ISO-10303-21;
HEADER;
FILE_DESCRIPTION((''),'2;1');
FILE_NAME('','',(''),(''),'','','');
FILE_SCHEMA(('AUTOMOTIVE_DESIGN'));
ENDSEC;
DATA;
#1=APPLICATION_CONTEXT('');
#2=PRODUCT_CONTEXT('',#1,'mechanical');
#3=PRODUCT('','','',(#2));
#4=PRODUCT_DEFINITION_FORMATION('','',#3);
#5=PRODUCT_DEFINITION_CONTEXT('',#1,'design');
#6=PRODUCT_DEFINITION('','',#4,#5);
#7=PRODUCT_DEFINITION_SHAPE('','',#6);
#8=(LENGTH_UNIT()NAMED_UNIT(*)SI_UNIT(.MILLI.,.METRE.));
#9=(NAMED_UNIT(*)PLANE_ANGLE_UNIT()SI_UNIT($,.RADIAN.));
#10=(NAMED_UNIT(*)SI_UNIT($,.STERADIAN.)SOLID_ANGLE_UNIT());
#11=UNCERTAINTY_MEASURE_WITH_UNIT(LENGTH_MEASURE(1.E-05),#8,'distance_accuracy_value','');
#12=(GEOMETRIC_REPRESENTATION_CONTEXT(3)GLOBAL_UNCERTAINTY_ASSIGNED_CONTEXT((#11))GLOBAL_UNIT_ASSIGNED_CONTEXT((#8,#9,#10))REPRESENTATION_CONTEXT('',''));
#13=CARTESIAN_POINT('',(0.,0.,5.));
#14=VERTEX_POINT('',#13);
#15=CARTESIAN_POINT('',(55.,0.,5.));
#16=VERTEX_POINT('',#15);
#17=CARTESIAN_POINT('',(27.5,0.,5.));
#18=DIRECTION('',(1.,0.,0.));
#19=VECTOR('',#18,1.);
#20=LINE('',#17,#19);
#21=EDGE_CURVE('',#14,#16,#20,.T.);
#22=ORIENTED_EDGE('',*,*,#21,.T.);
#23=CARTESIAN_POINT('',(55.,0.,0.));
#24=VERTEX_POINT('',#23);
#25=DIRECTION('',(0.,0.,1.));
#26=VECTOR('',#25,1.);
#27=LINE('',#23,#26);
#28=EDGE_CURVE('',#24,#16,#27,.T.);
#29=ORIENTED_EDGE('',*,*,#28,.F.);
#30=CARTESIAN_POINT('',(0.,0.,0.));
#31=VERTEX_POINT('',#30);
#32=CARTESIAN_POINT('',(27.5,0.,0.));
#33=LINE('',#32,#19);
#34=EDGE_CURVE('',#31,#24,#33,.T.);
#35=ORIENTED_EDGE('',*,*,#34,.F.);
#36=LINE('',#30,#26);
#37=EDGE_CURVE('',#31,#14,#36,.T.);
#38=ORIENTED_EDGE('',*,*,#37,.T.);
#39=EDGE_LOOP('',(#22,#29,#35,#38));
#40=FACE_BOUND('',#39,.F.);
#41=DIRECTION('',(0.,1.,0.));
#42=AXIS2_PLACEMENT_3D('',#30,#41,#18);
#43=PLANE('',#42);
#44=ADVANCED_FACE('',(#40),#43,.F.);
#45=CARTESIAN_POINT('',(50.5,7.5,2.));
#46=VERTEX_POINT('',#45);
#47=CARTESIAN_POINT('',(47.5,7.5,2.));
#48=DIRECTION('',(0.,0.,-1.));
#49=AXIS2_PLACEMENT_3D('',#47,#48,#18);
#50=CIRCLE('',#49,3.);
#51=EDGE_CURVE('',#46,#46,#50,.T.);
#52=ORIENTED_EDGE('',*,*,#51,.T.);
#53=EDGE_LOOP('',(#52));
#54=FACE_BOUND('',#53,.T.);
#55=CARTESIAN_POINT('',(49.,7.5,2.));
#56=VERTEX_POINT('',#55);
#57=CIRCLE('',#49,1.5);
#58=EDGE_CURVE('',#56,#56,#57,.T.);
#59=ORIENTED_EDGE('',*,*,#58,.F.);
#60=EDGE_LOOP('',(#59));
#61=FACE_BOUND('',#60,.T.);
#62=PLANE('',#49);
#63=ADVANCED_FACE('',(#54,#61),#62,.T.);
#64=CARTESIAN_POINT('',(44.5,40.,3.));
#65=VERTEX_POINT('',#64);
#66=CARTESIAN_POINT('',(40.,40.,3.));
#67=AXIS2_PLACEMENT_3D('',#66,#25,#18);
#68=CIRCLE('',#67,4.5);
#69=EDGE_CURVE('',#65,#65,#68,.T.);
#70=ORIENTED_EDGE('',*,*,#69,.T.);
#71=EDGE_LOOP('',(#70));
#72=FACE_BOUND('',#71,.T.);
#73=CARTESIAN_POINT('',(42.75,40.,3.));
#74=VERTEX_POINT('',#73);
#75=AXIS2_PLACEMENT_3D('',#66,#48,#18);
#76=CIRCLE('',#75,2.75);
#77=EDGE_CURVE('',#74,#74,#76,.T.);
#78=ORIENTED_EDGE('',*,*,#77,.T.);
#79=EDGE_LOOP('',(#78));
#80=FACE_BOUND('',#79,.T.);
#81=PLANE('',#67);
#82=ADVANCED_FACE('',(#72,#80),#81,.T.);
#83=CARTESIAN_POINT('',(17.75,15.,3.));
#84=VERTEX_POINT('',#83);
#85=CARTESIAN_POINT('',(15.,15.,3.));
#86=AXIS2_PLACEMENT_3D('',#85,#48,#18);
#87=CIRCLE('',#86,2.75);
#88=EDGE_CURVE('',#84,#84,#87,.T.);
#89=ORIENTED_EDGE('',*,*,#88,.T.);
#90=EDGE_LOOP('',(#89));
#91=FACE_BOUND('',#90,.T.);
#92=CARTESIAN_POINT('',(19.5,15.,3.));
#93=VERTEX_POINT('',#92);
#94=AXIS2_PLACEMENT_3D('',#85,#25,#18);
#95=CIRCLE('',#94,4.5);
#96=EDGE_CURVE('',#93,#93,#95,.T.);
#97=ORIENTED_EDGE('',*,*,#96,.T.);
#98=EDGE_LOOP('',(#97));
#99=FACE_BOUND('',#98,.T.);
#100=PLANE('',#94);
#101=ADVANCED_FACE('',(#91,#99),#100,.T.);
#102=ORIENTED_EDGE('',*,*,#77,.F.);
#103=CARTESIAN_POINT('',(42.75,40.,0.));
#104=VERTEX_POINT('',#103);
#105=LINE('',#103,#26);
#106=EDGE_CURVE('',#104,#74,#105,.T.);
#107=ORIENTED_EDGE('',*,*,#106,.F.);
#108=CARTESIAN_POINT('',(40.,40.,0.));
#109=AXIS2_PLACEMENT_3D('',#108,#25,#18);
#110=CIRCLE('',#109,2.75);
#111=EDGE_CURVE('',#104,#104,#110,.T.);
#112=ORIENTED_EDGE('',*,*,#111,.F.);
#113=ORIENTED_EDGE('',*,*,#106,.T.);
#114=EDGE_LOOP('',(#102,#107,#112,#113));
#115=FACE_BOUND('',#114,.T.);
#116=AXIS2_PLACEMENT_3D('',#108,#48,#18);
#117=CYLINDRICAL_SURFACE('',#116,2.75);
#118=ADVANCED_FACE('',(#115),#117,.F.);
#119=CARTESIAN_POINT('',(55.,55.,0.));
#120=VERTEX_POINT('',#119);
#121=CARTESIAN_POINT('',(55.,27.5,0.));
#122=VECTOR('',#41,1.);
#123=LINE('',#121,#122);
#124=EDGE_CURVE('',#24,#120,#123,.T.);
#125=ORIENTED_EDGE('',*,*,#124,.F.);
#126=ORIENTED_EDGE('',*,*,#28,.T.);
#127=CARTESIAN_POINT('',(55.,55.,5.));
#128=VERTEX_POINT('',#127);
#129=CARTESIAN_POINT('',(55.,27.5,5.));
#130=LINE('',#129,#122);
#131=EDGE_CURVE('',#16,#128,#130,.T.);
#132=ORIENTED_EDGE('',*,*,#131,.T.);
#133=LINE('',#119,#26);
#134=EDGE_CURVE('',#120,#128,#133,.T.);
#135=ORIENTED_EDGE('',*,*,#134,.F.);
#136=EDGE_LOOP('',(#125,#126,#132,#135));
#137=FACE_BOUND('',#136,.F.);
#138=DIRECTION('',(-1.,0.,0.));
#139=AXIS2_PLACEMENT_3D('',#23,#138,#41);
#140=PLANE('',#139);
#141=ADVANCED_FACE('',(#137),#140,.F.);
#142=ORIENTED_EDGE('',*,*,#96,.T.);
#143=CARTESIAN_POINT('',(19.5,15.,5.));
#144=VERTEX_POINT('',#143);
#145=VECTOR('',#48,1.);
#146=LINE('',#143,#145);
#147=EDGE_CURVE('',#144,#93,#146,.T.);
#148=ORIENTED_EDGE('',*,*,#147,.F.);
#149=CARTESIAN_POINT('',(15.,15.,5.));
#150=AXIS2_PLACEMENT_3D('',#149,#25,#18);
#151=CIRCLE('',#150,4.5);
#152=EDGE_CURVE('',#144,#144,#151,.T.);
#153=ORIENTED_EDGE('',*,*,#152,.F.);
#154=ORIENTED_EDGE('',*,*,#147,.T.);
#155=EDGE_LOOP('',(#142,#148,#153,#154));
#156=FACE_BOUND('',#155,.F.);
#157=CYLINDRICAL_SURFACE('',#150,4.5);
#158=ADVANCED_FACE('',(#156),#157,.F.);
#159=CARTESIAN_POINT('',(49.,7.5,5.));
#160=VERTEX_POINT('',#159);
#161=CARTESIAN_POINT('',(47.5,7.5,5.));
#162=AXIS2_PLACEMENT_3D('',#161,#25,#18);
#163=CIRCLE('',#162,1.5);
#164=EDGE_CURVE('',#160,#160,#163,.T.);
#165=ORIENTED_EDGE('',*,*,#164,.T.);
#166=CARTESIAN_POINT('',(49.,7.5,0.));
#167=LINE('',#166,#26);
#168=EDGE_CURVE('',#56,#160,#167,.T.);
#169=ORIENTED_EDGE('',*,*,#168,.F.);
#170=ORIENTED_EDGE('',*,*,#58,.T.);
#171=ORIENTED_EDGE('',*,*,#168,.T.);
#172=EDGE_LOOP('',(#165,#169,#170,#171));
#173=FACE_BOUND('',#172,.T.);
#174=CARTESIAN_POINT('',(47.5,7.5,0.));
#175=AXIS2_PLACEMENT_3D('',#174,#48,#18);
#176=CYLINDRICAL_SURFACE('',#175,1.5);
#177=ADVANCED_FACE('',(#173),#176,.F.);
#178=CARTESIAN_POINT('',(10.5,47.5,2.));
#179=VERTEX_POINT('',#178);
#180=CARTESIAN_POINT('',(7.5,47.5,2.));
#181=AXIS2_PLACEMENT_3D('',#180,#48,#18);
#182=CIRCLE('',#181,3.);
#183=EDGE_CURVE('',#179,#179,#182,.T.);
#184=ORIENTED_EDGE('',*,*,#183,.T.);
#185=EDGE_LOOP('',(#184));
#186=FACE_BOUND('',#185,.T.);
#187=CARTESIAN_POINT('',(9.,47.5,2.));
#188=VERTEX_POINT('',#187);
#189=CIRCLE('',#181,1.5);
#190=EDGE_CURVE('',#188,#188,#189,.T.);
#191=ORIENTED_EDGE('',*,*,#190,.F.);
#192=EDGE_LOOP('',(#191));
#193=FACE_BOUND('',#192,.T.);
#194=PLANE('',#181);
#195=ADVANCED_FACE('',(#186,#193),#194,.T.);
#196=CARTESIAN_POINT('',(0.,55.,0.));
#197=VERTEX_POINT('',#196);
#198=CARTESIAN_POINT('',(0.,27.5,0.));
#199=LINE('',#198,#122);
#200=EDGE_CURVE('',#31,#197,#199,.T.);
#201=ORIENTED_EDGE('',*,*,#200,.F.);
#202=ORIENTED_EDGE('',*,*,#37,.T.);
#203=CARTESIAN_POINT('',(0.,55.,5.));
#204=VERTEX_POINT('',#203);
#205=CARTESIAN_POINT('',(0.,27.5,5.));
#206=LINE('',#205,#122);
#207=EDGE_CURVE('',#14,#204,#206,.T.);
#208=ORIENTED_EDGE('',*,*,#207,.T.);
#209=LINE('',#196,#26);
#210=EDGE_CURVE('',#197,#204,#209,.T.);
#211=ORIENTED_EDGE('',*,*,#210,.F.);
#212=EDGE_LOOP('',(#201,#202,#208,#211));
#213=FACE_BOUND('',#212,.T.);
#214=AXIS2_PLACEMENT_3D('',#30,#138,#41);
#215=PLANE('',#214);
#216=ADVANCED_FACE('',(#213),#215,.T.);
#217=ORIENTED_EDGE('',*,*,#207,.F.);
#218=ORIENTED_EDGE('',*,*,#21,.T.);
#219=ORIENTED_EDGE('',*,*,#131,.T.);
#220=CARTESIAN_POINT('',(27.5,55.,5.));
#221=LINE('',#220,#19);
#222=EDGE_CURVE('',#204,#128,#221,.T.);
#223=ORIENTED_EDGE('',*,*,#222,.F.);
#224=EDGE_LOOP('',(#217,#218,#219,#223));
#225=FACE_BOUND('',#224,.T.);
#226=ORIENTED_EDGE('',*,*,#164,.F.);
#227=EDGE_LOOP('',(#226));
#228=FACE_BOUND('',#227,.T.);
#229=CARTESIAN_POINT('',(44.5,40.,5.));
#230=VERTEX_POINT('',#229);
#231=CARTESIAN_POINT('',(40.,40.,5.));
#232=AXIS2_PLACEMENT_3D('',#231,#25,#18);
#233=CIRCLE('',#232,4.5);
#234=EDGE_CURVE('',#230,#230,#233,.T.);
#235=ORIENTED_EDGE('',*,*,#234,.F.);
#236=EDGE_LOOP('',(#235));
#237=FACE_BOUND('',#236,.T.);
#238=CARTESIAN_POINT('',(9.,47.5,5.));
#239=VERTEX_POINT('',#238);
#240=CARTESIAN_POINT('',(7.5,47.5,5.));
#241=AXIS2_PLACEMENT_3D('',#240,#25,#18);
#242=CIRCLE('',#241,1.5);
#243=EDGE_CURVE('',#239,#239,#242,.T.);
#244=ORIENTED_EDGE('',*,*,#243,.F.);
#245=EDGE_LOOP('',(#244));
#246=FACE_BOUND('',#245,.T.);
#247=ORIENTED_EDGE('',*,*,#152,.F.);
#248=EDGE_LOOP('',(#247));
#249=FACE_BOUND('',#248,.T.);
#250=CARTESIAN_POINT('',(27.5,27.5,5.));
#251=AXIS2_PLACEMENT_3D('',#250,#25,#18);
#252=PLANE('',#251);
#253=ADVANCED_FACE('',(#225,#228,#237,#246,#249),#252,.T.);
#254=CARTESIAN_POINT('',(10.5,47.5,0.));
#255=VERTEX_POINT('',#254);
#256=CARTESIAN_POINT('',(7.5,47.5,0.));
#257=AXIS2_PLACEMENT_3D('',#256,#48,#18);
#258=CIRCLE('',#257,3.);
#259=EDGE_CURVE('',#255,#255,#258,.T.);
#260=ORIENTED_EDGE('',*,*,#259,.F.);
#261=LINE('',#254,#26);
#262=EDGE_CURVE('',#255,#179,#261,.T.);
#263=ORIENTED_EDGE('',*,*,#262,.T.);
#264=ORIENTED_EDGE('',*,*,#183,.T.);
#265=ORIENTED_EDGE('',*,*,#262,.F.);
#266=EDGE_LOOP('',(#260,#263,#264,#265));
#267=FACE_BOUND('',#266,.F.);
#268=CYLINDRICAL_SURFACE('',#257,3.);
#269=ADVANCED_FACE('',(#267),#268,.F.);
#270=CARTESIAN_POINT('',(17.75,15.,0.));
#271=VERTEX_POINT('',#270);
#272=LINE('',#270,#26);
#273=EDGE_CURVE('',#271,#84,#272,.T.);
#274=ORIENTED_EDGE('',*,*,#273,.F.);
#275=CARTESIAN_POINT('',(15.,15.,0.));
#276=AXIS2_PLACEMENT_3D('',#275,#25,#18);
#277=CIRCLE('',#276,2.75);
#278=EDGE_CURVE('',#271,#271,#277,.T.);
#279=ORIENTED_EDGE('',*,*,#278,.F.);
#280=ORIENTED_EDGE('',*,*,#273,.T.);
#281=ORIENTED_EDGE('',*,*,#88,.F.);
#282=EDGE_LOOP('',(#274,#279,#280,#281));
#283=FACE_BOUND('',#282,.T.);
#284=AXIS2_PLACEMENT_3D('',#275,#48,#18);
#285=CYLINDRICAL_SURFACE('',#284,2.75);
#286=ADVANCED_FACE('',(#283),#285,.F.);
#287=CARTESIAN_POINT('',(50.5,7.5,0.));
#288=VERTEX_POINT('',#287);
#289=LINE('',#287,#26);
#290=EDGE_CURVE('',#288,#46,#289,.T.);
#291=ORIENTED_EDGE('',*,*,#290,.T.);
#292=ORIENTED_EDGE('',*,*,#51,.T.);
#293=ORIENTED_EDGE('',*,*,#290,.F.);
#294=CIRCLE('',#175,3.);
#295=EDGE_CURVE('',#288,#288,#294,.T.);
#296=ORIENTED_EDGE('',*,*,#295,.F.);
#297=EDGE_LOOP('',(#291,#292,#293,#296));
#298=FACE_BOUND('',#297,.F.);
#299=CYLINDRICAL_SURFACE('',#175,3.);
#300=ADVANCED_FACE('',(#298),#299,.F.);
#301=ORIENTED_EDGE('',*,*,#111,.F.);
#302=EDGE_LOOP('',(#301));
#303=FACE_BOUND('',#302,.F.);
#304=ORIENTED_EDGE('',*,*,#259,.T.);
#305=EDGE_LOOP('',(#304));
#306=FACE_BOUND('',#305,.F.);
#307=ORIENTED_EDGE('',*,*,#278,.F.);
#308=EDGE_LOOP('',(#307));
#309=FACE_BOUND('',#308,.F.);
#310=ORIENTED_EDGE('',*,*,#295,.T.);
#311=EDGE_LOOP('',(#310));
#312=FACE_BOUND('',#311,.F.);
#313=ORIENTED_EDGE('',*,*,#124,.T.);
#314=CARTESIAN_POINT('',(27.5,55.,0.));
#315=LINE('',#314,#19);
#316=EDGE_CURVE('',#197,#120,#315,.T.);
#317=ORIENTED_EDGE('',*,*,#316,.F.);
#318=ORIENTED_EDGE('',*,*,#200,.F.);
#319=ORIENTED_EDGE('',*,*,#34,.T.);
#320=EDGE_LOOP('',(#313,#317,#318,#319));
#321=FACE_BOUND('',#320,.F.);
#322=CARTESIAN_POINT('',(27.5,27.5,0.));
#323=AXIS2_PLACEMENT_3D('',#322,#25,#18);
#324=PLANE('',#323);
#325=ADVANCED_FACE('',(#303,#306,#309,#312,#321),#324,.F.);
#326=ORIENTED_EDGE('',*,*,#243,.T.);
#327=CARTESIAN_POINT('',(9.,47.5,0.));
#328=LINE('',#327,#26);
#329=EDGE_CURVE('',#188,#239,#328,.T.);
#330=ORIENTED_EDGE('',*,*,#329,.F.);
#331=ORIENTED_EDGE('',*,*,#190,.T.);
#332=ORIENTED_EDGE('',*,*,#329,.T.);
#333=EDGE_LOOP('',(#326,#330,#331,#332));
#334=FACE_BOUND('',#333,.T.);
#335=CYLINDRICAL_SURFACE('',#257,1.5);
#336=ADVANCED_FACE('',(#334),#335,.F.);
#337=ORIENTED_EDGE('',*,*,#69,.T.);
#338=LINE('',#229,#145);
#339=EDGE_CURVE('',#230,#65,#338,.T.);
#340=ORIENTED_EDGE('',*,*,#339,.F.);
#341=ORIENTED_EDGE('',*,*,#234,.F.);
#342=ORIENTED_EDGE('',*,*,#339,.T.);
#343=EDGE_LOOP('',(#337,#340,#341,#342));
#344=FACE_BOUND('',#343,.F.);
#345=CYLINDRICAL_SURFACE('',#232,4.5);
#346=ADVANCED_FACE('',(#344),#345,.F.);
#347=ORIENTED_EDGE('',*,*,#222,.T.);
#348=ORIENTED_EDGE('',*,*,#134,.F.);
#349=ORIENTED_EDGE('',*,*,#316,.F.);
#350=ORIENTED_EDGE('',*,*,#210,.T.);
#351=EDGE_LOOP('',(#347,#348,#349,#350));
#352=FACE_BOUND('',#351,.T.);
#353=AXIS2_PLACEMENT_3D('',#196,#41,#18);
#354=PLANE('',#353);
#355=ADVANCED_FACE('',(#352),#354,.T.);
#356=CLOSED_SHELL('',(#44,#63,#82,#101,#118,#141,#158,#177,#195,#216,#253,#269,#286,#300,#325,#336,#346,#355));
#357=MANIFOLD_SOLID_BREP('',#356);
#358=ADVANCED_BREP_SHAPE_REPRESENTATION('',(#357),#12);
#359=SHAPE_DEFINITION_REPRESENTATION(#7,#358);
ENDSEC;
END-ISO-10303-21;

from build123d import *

# Parameters (mm, degrees)
SKETCH_W        = 55
SKETCH_H        = 55
SKETCH_R        = 1.5
SKETCH_R_2      = 2.75
PAD_DEPTH       = 5
SKETCH001_R     = 4.5
POCKET_DEPTH    = 2
SKETCH002_R     = 3
POCKET001_DEPTH = 2


with BuildPart() as part:
    # Sketch → Pad (new body)
    with BuildSketch(Plane.XY):
        with Locations((27.5, 27.5)):
            Rectangle(SKETCH_W, SKETCH_H)
        with Locations((7.5, 47.5)):
            Circle(SKETCH_R, mode=Mode.SUBTRACT)
        with Locations((47.5, 7.5)):
            Circle(SKETCH_R, mode=Mode.SUBTRACT)
        with Locations((40, 40)):
            Circle(SKETCH_R_2, mode=Mode.SUBTRACT)
        with Locations((15, 15)):
            Circle(SKETCH_R_2, mode=Mode.SUBTRACT)
    extrude(amount=PAD_DEPTH)

    # Sketch001 → Pocket (cut)
    with BuildSketch(Plane.XY.offset(5)):
        with Locations((40, 40)):
            Circle(SKETCH001_R)
        with Locations((15, 15)):
            Circle(SKETCH001_R)
    extrude(amount=-POCKET_DEPTH, mode=Mode.SUBTRACT)

    # Sketch002 → Pocket001 (cut)
    with BuildSketch(Plane(origin=(0, 0, 0), x_dir=(1, 0, 0), z_dir=(0, 0, -1))):
        with Locations((47.5, -7.5)):
            Circle(SKETCH002_R)
        with Locations((7.5, -47.5)):
            Circle(SKETCH002_R)
    extrude(amount=-POCKET001_DEPTH, mode=Mode.SUBTRACT)


solid = part.part
